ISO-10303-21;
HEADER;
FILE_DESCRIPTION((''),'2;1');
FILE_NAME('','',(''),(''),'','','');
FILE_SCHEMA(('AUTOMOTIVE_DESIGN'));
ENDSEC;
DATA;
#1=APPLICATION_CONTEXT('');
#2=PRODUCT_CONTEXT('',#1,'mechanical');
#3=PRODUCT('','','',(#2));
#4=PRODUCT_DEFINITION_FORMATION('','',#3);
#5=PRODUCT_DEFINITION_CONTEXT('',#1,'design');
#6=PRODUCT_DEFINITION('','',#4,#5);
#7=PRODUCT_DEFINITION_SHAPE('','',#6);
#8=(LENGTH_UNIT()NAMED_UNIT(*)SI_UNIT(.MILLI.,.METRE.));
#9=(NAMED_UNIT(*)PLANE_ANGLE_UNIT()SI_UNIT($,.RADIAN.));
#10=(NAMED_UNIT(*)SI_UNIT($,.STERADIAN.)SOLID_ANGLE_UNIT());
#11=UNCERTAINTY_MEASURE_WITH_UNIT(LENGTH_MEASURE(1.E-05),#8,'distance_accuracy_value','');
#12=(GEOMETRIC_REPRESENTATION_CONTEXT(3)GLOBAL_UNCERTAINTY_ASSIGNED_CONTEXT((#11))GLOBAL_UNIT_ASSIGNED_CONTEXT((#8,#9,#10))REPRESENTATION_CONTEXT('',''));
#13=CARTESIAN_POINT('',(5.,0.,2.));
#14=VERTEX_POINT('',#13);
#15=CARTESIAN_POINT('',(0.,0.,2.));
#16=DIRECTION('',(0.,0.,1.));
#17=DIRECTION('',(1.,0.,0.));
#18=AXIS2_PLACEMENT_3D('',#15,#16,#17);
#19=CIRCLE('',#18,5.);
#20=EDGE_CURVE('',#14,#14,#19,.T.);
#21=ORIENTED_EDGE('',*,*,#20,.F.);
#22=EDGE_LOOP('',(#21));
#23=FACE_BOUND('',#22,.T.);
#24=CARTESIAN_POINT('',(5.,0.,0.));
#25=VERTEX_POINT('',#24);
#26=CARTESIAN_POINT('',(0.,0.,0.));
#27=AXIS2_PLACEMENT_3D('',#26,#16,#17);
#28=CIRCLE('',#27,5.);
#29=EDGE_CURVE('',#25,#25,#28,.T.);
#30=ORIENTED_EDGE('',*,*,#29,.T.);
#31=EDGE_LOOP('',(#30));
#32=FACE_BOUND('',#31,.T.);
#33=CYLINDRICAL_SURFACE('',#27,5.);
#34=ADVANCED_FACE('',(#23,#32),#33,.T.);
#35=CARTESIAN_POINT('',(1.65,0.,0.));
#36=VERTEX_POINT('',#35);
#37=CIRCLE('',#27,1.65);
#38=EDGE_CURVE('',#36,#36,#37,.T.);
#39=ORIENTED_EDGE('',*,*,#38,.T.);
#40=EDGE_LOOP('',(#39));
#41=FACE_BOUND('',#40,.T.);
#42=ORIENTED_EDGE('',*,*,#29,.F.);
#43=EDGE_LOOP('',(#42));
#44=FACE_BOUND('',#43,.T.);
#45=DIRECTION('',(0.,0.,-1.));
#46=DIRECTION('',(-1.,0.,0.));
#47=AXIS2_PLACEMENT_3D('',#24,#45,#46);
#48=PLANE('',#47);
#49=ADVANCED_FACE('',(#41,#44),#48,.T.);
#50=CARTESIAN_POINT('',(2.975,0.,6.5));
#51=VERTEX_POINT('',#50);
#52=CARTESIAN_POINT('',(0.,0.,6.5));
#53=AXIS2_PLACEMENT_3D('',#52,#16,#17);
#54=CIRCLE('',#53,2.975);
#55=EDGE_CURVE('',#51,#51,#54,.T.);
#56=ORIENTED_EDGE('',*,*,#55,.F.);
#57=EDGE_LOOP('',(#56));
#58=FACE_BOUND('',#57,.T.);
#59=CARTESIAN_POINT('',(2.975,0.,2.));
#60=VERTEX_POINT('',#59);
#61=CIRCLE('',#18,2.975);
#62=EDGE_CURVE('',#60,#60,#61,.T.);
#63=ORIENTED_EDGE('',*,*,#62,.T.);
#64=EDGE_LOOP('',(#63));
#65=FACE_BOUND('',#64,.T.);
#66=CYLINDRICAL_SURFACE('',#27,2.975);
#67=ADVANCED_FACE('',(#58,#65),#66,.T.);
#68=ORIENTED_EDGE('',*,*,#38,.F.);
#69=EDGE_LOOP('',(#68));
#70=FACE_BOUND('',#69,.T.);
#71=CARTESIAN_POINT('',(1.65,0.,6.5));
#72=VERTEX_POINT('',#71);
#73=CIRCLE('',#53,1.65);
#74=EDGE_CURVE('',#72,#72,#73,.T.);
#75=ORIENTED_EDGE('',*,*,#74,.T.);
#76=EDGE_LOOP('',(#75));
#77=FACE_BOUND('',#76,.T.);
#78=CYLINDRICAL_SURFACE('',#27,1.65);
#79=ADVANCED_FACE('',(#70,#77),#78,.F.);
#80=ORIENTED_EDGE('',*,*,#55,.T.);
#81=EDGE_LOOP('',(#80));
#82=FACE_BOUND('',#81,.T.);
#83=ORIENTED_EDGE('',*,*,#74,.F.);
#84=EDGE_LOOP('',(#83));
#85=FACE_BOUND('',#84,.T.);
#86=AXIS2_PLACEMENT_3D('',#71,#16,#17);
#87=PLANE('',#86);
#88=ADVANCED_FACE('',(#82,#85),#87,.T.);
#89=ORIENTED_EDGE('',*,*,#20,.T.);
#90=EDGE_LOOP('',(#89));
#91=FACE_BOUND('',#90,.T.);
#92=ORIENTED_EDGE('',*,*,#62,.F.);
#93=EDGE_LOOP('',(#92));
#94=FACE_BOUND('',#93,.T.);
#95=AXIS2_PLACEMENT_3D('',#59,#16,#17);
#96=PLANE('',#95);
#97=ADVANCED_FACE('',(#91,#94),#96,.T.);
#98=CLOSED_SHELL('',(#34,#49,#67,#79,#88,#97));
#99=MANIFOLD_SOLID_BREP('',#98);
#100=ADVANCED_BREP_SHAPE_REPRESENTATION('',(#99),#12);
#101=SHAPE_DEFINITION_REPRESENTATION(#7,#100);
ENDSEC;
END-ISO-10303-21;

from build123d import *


with BuildPart() as part:
    # Esquisse1 → Révolution1 (revolve)
    with BuildSketch(Plane(origin=(0, 0, 0), x_dir=(1, 0, 0), z_dir=(0, 1, 0))):
        Polygon((5, -2), (5, 0), (1.65, 0), (1.65, -6.5), (2.975, -6.5), (2.975, -2), align=None)
    revolve(axis=Axis((0, 0, 0), (0, 0, 1)))


solid = part.part
